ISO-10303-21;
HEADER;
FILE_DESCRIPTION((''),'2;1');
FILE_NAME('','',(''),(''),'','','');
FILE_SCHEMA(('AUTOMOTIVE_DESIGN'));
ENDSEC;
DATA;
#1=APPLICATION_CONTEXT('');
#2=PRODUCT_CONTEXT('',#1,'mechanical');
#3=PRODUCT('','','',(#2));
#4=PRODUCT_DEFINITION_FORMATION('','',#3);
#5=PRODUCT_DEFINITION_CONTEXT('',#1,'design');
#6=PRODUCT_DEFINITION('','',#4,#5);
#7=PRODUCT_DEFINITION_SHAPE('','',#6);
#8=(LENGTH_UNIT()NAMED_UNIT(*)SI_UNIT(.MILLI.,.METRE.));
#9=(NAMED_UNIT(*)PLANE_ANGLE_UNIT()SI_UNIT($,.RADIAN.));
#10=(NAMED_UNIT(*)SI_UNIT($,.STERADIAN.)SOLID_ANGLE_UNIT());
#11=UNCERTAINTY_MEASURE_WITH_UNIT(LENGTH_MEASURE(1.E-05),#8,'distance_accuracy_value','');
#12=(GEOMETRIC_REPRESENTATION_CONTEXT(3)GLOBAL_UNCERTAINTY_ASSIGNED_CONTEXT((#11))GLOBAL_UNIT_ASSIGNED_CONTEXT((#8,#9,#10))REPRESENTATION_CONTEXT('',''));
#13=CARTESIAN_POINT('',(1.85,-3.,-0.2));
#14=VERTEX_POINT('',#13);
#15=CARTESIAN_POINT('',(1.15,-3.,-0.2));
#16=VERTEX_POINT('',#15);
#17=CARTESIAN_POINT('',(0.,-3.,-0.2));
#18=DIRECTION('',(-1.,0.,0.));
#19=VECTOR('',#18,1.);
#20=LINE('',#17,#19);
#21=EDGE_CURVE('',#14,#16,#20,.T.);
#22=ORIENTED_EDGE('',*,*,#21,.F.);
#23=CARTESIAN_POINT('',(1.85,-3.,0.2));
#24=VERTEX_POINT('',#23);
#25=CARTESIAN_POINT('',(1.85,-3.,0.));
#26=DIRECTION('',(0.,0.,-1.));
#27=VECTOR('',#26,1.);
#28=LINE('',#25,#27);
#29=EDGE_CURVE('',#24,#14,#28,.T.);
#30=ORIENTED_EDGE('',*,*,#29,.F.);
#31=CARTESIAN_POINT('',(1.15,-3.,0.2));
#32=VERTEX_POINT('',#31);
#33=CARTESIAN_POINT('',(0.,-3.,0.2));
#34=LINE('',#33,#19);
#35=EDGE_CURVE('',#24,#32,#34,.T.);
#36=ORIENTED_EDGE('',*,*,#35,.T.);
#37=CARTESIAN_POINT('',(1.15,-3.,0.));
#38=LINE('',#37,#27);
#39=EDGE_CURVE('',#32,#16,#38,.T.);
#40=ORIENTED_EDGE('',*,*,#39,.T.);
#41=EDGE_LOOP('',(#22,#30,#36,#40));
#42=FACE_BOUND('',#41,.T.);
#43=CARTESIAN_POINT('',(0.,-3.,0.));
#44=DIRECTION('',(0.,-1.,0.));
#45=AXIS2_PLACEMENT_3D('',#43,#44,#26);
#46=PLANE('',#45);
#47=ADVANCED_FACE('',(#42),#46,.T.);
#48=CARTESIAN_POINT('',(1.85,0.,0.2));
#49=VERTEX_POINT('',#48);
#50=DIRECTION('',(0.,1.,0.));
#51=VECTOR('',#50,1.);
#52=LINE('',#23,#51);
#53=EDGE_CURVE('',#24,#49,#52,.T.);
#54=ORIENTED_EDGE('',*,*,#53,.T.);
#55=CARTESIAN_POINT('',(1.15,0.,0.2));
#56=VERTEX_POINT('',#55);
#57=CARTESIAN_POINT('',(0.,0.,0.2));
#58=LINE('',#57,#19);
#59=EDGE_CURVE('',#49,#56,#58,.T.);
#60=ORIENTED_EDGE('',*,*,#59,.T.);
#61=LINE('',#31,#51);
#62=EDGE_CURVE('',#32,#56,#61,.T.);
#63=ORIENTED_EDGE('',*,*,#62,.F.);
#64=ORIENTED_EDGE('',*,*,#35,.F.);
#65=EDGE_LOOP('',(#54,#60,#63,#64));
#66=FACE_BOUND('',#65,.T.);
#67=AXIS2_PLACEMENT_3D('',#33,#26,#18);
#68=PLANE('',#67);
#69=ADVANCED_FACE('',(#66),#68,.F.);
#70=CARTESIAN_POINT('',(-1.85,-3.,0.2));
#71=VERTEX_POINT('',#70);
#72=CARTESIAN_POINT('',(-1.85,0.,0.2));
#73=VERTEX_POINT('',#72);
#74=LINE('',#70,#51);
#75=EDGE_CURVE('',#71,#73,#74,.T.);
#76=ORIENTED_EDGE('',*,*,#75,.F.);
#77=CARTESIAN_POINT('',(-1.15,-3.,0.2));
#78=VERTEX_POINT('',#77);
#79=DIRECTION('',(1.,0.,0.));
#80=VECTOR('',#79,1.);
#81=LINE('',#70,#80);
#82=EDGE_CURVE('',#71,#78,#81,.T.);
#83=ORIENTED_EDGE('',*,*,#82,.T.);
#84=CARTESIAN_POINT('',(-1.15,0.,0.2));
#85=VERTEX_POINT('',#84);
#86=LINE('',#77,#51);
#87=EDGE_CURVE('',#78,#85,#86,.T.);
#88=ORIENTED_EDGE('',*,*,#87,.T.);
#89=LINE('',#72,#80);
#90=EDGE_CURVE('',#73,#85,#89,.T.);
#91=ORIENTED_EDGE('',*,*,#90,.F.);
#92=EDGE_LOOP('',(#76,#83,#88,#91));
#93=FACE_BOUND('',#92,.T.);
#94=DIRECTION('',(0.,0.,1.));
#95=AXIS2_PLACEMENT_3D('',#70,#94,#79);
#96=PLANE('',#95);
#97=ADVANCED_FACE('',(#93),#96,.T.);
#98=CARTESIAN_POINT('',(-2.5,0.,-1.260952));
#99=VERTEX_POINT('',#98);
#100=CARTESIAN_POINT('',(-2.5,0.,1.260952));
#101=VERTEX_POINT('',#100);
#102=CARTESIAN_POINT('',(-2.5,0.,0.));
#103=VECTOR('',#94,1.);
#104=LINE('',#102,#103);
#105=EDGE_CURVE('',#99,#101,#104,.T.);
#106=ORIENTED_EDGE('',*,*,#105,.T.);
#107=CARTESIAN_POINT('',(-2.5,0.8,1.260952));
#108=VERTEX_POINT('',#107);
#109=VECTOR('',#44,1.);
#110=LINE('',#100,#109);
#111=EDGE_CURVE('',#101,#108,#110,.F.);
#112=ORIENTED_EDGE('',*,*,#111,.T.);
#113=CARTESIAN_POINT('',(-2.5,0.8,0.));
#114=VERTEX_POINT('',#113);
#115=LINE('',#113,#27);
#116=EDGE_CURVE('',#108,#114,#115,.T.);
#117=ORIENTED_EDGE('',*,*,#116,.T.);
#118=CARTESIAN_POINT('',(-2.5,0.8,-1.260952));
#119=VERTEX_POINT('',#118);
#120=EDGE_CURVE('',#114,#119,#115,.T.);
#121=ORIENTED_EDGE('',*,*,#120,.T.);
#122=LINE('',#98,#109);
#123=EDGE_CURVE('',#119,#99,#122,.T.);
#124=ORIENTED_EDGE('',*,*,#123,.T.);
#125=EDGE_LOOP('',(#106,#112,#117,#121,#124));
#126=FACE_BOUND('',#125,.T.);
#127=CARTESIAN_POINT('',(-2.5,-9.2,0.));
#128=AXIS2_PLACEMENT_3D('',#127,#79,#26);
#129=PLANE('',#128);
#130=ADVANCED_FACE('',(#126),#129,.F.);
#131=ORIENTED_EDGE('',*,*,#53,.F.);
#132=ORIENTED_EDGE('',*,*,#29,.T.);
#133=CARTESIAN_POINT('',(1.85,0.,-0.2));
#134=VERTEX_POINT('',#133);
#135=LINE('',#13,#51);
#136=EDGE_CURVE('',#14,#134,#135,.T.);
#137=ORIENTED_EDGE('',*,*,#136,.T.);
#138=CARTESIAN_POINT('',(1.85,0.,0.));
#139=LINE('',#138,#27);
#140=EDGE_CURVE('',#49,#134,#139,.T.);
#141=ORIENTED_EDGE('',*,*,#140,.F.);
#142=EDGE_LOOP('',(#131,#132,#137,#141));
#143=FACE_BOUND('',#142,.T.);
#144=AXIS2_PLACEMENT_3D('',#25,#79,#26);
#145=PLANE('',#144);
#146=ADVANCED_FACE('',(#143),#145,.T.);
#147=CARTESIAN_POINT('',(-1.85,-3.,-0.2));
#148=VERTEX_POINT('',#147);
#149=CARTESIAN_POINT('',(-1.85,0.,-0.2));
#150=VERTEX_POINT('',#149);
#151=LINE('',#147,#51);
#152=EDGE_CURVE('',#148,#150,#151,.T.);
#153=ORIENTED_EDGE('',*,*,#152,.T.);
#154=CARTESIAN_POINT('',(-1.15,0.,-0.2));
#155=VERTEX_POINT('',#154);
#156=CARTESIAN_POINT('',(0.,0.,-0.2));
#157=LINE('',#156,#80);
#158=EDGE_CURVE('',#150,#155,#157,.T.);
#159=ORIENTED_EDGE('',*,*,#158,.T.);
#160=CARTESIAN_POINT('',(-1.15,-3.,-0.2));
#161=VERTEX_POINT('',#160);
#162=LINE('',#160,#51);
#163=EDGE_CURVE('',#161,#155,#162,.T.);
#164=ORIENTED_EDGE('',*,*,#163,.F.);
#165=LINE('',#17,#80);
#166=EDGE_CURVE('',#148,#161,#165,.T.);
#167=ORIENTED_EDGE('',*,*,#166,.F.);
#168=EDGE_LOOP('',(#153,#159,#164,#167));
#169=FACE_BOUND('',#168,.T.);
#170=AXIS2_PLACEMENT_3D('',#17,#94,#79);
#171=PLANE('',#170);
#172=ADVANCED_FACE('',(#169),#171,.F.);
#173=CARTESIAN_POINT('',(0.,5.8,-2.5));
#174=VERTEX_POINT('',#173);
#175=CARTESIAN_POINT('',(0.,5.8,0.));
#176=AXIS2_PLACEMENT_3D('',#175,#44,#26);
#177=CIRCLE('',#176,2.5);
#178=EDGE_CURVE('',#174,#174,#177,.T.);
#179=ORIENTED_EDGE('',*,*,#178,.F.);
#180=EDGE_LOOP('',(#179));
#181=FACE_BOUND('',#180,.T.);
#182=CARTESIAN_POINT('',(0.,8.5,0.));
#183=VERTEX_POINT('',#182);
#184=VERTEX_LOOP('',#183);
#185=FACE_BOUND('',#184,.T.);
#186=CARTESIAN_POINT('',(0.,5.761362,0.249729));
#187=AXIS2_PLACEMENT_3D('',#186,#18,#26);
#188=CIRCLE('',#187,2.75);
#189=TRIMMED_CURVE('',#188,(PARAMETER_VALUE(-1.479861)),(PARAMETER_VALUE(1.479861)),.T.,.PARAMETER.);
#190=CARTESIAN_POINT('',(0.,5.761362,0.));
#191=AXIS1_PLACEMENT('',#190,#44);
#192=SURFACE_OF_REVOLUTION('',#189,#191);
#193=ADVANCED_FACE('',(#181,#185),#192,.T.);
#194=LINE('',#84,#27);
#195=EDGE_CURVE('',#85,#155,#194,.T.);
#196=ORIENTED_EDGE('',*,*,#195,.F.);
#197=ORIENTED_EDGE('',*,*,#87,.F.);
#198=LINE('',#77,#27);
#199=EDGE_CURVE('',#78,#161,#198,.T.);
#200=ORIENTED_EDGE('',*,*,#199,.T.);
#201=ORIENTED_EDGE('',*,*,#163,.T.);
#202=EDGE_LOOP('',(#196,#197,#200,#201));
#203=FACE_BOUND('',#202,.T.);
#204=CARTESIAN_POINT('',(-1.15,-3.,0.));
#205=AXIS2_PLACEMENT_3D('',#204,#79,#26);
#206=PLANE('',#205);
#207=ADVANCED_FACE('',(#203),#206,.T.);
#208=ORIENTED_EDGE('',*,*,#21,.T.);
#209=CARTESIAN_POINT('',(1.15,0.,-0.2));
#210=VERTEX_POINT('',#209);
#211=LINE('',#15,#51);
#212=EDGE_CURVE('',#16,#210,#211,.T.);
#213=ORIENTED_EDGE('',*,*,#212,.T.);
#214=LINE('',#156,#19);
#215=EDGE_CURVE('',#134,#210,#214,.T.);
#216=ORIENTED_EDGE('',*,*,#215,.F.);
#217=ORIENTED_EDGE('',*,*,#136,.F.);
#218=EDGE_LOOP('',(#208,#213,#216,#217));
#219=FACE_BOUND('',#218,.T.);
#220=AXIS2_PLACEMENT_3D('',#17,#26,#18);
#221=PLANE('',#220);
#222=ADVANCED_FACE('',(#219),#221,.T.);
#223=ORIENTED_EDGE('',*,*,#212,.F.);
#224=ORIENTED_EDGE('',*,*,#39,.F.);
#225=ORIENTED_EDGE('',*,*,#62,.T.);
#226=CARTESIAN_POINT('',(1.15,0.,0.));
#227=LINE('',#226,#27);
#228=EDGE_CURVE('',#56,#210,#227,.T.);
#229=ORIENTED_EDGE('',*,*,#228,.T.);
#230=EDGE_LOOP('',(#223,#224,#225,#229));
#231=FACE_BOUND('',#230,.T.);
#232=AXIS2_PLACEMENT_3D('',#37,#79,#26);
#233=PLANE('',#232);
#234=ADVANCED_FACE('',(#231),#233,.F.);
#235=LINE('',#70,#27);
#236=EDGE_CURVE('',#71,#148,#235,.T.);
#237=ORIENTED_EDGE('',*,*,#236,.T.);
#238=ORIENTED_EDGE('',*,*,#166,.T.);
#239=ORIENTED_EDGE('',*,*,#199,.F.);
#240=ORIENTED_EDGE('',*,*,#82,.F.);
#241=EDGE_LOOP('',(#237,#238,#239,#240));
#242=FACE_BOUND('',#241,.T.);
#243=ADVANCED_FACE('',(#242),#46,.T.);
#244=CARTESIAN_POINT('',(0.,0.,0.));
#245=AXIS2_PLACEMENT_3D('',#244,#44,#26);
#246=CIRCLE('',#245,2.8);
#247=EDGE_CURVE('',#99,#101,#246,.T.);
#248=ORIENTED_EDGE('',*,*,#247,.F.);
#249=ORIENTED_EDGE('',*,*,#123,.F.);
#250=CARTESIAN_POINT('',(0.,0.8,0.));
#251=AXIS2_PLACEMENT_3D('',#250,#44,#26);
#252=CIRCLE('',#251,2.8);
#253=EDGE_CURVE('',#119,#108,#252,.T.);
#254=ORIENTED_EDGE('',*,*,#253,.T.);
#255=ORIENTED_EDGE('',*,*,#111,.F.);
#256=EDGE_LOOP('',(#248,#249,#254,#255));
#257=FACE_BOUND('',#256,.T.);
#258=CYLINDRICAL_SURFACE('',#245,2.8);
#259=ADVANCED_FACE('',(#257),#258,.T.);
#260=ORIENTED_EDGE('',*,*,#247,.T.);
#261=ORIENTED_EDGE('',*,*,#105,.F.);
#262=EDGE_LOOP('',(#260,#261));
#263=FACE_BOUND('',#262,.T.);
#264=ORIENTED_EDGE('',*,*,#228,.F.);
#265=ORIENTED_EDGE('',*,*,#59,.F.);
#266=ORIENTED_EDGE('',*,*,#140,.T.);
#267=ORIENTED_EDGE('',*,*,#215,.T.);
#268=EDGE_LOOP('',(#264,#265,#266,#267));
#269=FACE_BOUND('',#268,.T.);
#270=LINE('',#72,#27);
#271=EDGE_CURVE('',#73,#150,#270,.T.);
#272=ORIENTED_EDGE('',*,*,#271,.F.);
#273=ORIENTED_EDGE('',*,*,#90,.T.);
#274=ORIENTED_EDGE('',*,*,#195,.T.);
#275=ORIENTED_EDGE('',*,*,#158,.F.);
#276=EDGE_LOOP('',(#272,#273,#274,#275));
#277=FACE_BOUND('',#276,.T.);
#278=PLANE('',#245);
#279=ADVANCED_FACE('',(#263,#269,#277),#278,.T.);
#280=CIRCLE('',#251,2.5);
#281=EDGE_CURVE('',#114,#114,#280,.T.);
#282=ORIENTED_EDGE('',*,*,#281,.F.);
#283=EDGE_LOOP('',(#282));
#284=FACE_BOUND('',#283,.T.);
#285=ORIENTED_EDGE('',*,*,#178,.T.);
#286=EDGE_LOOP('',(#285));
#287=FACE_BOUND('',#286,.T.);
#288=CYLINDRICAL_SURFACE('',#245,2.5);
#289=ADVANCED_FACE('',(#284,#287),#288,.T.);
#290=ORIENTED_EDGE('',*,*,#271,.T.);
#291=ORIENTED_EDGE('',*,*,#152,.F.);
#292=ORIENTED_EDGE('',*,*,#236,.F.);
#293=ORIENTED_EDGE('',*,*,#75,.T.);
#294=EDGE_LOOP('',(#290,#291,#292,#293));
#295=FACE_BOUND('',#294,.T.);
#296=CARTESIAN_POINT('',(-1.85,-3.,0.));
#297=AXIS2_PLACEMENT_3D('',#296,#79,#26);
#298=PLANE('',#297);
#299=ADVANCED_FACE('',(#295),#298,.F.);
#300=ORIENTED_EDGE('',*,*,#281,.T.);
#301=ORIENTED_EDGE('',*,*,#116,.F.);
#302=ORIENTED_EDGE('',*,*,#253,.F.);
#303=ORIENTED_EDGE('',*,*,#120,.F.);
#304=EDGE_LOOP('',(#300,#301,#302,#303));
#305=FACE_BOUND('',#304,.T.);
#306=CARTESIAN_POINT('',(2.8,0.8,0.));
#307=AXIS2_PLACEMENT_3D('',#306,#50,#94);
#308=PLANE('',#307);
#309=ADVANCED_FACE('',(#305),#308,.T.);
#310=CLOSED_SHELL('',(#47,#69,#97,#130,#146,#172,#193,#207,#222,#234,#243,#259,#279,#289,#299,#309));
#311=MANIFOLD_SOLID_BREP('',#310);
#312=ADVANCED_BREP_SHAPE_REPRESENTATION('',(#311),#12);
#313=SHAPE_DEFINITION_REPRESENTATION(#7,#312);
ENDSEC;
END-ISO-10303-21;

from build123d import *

# Parameters (mm, degrees)
CORTAR_EXTRUIR1_START   = -10
CORTAR_EXTRUIR1_DEPTH   = 10
CROQUIS3_W              = 0.7
CROQUIS3_H              = 0.4
SALIENTE_EXTRUIR1_DEPTH = 3


with BuildPart() as part:
    # Croquis1 → Revolución1 (revolve)
    with BuildSketch(Plane.XY, mode=Mode.PRIVATE) as revoluci_n1_sk:
        with BuildLine():
            Line((0, 0), (0, 8.5))
            ThreePointArc((0, 8.5), (1.768113296, 7.629734533), (2.5, 5.8))
            Line((2.5, 5.8), (2.5, 0.8))
            Line((2.5, 0.8), (2.8, 0.8))
            Line((2.8, 0.8), (2.8, 0))
            Line((2.8, 0), (0, 0))
        make_face()
    revolve(revoluci_n1_sk.sketch.rotate(Axis((0, 0, 0), (0, 1, 0)), 90), axis=Axis((0, 0, 0), (0, 1, 0)))

    # Croquis2 → Cortar-Extruir1 (cut)
    with BuildSketch(Plane(origin=(0, 0.8, 0), x_dir=(1, 0, 0), z_dir=(0, 1, 0)).offset(CORTAR_EXTRUIR1_START)):
        with BuildLine():
            Line((-2.5, -1.260952021), (-2.5, 0))
            Line((-2.5, 0), (-2.8, 0))
            ThreePointArc((-2.8, 0), (-2.723967694, -0.64807407), (-2.5, -1.260952021))
        make_face()
        with BuildLine():
            Line((-2.8, 0), (-2.5, 0))
            Line((-2.5, 0), (-2.5, 1.260952021))
            ThreePointArc((-2.5, 1.260952021), (-2.723967694, 0.64807407), (-2.8, 0))
        make_face()
    extrude(amount=CORTAR_EXTRUIR1_DEPTH, mode=Mode.SUBTRACT)

    # Croquis3 → Saliente-Extruir1 (add)
    with BuildSketch(Plane.XZ):
        with Locations((-1.5, 0)):
            Rectangle(CROQUIS3_W, CROQUIS3_H)
        with Locations((1.5, 0)):
            Rectangle(CROQUIS3_W, CROQUIS3_H)
    extrude(amount=SALIENTE_EXTRUIR1_DEPTH)


solid = part.part
